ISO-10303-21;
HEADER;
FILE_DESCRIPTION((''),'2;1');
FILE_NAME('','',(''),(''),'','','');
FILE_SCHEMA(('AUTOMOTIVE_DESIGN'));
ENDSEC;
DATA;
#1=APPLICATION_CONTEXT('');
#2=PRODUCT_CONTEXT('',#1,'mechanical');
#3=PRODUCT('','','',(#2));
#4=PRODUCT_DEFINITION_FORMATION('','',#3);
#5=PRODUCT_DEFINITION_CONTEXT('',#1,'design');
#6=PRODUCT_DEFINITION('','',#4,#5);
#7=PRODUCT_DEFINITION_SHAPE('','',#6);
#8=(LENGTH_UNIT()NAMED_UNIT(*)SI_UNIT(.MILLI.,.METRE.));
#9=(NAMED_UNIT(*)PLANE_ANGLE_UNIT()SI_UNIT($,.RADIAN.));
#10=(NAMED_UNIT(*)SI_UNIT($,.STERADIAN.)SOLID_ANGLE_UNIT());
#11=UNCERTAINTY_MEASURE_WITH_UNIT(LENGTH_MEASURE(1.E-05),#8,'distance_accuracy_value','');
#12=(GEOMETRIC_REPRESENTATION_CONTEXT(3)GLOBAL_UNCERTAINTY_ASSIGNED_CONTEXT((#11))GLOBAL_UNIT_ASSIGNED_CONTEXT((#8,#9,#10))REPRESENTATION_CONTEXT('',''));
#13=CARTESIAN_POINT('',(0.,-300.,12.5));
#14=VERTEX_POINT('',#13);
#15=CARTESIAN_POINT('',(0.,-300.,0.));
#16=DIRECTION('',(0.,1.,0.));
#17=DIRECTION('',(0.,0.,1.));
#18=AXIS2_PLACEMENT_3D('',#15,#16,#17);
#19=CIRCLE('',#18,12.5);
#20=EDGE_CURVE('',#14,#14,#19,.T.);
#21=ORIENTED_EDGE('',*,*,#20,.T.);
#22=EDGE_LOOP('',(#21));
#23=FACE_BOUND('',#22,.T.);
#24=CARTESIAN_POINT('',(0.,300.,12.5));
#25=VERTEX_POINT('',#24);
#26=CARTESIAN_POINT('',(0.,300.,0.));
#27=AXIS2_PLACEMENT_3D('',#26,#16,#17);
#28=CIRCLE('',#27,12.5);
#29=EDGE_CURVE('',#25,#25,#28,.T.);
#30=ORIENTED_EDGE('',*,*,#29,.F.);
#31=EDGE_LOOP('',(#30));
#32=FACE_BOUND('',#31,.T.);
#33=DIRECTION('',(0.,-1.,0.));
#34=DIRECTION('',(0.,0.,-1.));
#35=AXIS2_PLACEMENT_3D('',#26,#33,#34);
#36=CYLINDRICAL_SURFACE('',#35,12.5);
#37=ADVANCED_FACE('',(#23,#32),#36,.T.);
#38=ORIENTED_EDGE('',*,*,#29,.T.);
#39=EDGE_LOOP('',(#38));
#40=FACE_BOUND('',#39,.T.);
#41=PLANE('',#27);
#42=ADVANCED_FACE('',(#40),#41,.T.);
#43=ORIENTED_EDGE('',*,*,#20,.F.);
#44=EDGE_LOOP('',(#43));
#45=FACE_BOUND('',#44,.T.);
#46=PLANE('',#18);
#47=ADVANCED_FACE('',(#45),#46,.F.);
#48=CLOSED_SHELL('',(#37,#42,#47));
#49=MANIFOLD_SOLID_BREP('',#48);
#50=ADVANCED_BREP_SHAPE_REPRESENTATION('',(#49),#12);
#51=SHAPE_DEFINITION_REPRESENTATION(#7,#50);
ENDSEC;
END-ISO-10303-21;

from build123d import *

# Parameters (mm, degrees)
SKETCH1_R           = 12.5
BOSS_EXTRUDE1_DEPTH = 300


with BuildPart() as part:
    # Sketch1 → Boss-Extrude1 (new, symmetric)
    with BuildSketch(Plane(origin=(0, 0, 0), x_dir=(1, 0, 0), z_dir=(0, 1, 0))):
        with Locations(Location((0, 0, 0), (0, 0, 270))):
            Circle(SKETCH1_R)
    extrude(amount=BOSS_EXTRUDE1_DEPTH, both=True)


solid = part.part
